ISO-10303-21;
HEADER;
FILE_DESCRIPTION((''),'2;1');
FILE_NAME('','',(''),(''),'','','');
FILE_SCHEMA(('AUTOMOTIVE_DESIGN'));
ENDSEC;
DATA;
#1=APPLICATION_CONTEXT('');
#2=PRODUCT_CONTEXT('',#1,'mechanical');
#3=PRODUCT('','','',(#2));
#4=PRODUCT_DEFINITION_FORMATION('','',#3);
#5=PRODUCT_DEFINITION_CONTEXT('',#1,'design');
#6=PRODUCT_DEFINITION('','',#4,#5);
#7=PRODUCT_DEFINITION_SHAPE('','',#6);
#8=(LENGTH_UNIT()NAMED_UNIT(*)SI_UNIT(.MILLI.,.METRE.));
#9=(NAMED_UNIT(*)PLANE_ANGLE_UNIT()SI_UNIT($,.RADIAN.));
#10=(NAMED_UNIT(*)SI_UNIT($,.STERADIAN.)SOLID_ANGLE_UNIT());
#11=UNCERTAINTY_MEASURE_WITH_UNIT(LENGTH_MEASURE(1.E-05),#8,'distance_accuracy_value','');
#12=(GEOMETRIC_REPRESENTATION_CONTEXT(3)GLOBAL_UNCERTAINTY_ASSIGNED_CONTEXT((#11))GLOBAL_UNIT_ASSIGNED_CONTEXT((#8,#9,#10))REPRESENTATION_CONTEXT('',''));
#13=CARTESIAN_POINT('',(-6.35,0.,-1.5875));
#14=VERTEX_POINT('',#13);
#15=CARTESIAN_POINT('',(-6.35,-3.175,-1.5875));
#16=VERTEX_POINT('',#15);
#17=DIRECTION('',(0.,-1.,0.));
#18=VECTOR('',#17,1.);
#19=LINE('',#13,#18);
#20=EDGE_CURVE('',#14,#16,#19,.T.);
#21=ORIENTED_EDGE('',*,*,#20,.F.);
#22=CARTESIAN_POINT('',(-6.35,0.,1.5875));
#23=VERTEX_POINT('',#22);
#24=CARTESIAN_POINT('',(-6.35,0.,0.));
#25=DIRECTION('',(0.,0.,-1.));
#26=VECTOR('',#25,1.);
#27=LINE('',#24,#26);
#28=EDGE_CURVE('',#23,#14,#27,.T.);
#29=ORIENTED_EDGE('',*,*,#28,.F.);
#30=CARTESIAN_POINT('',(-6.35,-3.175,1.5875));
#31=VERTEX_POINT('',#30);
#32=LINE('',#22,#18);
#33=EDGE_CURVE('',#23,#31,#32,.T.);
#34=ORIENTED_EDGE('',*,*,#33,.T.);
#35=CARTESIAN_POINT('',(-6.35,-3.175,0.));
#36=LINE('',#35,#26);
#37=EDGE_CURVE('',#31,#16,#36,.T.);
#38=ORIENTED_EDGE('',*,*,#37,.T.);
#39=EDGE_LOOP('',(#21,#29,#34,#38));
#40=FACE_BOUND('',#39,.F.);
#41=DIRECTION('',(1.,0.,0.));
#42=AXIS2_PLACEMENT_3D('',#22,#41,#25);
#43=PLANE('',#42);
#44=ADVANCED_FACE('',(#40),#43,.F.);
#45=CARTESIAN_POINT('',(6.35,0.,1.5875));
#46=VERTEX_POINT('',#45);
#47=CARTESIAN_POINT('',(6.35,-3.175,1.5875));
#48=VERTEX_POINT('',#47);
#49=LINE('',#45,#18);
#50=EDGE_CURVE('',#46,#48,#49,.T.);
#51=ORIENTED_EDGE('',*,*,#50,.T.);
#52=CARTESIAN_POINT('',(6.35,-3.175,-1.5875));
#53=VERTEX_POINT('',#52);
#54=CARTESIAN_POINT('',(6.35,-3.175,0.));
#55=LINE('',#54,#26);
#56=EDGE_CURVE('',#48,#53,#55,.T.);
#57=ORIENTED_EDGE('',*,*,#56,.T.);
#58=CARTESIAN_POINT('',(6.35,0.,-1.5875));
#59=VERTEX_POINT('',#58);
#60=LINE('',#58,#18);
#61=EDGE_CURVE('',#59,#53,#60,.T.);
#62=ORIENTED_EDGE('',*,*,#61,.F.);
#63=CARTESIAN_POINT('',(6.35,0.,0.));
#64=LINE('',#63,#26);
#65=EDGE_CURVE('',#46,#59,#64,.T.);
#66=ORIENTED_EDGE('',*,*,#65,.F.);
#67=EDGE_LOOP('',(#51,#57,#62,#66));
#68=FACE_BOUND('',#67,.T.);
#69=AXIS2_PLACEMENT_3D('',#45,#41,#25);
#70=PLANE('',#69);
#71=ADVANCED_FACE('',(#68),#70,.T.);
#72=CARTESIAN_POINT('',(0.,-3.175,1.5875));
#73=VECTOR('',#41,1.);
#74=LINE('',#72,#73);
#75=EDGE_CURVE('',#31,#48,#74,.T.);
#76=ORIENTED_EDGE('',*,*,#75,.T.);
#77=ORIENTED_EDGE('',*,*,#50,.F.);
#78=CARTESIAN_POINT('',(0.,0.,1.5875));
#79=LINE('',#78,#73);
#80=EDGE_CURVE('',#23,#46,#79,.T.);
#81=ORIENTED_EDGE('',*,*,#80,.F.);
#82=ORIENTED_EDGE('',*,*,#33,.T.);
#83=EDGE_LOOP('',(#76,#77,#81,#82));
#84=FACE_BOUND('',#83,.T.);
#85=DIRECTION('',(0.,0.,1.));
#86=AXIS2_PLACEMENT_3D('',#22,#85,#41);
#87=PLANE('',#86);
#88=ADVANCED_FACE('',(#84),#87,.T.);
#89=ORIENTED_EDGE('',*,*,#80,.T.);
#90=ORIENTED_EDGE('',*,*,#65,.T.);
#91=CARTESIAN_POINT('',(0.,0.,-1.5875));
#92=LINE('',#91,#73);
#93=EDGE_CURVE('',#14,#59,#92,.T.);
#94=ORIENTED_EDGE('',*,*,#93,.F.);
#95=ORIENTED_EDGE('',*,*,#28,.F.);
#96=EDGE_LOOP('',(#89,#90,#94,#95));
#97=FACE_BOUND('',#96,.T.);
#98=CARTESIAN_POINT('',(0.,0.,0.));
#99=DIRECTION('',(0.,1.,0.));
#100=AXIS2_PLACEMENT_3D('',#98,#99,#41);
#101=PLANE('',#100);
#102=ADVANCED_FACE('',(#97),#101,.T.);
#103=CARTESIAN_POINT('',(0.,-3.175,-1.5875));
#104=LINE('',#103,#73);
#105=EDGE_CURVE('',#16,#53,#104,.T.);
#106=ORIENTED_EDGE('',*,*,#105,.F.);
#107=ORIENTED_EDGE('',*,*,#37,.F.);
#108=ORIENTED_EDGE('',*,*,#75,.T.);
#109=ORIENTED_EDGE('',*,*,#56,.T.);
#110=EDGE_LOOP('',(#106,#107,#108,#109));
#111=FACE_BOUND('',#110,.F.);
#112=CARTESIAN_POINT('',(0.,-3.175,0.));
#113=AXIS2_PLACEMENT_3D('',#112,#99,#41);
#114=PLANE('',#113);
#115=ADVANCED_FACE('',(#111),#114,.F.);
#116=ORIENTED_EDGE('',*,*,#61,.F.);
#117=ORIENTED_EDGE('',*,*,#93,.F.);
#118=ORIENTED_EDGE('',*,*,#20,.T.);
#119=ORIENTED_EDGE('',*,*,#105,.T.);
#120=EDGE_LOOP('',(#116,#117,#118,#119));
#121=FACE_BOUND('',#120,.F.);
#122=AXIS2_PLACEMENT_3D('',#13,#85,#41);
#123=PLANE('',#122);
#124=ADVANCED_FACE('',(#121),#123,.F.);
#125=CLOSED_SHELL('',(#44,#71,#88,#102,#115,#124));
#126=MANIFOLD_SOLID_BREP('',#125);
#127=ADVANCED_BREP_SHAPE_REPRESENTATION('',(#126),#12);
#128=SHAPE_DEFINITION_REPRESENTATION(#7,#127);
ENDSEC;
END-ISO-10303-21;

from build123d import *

# Parameters (mm, degrees)
SKETCH1_W      = 12.7
SKETCH1_H      = 3.175
EXTRUDE1_DEPTH = 3.175


with BuildPart() as part:
    # Sketch1 → Extrude1 (new body)
    with BuildSketch(Plane(origin=(0, 0, 0), x_dir=(1, 0, 0), z_dir=(0, 1, 0))):
        Rectangle(SKETCH1_W, SKETCH1_H)
    extrude(amount=-EXTRUDE1_DEPTH)


solid = part.part
